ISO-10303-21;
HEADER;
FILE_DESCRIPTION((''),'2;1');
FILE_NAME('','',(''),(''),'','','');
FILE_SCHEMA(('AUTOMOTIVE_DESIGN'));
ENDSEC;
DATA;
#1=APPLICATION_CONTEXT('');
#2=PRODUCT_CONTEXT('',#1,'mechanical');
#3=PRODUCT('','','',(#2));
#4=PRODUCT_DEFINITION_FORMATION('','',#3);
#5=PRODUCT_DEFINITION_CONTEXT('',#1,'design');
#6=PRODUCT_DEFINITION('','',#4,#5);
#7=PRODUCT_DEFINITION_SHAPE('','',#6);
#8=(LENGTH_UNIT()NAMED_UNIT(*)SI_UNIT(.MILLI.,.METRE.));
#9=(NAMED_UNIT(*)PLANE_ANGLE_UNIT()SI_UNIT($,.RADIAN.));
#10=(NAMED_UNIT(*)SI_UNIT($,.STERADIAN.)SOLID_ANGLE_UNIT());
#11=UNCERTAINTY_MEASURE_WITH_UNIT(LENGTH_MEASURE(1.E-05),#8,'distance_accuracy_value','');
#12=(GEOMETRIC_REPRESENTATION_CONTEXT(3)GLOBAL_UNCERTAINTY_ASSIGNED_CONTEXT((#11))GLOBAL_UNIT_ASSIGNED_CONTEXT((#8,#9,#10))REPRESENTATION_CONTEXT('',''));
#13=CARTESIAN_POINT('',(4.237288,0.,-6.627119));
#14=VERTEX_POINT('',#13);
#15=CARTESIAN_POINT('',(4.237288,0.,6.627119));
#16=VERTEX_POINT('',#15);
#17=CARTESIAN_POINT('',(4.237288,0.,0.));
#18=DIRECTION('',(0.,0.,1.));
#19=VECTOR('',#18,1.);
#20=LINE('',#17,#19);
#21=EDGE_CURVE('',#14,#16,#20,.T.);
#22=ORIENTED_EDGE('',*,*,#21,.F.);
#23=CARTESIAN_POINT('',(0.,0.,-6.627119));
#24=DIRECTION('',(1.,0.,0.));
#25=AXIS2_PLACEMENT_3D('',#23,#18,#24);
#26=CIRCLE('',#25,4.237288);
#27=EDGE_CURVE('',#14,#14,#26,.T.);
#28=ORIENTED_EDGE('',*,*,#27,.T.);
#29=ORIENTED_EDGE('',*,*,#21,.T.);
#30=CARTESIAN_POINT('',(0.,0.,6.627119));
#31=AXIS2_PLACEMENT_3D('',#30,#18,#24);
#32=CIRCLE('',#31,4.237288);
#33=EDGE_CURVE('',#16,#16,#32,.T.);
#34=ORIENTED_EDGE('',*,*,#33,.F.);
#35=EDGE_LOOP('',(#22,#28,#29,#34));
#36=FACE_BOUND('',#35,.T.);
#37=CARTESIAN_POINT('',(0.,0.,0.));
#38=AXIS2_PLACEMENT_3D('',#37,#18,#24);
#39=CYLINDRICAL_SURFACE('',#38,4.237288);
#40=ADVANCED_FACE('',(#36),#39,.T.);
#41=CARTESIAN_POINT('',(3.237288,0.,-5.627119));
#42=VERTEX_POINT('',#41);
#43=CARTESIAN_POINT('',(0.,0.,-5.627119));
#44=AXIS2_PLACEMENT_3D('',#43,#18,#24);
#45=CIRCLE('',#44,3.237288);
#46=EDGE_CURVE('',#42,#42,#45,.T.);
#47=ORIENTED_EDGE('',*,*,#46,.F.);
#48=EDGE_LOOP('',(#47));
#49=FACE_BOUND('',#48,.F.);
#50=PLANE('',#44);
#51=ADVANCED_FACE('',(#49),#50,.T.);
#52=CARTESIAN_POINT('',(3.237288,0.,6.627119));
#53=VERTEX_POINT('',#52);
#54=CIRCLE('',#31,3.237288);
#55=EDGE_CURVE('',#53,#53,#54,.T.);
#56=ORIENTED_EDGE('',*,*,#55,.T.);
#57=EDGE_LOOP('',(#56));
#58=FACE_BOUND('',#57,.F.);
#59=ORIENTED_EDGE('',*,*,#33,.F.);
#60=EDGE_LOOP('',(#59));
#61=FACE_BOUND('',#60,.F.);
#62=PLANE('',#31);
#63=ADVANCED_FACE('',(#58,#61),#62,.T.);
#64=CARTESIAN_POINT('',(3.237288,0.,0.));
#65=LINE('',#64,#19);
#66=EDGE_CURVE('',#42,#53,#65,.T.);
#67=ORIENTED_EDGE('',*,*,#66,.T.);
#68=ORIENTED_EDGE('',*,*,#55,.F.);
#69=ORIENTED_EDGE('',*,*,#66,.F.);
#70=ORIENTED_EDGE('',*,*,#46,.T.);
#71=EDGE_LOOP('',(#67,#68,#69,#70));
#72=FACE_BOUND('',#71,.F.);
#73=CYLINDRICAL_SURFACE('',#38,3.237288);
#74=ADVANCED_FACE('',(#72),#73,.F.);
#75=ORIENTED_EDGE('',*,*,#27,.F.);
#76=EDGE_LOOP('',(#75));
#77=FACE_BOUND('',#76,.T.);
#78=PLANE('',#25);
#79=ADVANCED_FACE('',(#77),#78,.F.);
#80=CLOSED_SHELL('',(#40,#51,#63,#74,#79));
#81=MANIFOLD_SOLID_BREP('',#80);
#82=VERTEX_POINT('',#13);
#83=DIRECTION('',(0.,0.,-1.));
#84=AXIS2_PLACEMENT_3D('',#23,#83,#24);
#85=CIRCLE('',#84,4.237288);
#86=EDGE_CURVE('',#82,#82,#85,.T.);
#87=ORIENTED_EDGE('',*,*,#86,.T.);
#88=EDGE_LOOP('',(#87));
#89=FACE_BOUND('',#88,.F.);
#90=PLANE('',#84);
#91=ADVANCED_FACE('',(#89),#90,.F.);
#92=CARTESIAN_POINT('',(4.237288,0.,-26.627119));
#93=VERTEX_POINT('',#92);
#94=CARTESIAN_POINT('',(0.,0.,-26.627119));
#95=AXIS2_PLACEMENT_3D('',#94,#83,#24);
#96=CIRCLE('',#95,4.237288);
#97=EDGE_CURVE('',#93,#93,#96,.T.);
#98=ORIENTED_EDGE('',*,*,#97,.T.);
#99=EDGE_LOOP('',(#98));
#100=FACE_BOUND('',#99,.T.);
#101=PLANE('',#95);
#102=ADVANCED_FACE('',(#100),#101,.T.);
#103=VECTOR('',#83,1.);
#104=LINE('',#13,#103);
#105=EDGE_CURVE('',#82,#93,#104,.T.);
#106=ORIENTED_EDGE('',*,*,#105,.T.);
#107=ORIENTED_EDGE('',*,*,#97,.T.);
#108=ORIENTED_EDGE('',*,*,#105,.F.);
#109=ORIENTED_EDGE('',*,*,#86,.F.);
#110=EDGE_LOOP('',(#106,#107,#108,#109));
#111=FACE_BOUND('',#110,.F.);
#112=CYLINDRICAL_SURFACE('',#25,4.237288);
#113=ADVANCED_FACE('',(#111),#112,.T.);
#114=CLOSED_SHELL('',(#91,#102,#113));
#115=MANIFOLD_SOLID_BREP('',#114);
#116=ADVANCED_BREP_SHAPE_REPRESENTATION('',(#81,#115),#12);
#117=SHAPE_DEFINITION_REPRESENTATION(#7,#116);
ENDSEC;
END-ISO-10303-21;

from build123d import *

# Parameters (mm, degrees)
F0_W      = 4.237288
F0_H      = 13.254238
F2_T      = -1
F1_FACE_R = 4.237288
F3_DEPTH  = 20


with BuildPart() as f1:
    # F0 (on Front) → F1 (revolve)
    with BuildSketch(Plane.XZ):
        with Locations((2.118644, 0)):
            Rectangle(F0_W, F0_H)
    revolve(axis=Axis((0, 0, 0), (0, 0, 1)))

    # F2
    f2_openings = [f1.faces().sort_by_distance(p)[0] for p in [
        (0, 0, 6.627119),
    ]]
    offset(amount=F2_T, openings=f2_openings)


with BuildPart() as f3:
    # F1_face (on face) → F3 (new body)
    with BuildSketch(Plane(origin=(0, 0, -6.627119), x_dir=(1, 0, 0), z_dir=(0, 0, -1))):
        Circle(F1_FACE_R)
    extrude(amount=F3_DEPTH)


solid = Compound([f1.part, f3.part])
